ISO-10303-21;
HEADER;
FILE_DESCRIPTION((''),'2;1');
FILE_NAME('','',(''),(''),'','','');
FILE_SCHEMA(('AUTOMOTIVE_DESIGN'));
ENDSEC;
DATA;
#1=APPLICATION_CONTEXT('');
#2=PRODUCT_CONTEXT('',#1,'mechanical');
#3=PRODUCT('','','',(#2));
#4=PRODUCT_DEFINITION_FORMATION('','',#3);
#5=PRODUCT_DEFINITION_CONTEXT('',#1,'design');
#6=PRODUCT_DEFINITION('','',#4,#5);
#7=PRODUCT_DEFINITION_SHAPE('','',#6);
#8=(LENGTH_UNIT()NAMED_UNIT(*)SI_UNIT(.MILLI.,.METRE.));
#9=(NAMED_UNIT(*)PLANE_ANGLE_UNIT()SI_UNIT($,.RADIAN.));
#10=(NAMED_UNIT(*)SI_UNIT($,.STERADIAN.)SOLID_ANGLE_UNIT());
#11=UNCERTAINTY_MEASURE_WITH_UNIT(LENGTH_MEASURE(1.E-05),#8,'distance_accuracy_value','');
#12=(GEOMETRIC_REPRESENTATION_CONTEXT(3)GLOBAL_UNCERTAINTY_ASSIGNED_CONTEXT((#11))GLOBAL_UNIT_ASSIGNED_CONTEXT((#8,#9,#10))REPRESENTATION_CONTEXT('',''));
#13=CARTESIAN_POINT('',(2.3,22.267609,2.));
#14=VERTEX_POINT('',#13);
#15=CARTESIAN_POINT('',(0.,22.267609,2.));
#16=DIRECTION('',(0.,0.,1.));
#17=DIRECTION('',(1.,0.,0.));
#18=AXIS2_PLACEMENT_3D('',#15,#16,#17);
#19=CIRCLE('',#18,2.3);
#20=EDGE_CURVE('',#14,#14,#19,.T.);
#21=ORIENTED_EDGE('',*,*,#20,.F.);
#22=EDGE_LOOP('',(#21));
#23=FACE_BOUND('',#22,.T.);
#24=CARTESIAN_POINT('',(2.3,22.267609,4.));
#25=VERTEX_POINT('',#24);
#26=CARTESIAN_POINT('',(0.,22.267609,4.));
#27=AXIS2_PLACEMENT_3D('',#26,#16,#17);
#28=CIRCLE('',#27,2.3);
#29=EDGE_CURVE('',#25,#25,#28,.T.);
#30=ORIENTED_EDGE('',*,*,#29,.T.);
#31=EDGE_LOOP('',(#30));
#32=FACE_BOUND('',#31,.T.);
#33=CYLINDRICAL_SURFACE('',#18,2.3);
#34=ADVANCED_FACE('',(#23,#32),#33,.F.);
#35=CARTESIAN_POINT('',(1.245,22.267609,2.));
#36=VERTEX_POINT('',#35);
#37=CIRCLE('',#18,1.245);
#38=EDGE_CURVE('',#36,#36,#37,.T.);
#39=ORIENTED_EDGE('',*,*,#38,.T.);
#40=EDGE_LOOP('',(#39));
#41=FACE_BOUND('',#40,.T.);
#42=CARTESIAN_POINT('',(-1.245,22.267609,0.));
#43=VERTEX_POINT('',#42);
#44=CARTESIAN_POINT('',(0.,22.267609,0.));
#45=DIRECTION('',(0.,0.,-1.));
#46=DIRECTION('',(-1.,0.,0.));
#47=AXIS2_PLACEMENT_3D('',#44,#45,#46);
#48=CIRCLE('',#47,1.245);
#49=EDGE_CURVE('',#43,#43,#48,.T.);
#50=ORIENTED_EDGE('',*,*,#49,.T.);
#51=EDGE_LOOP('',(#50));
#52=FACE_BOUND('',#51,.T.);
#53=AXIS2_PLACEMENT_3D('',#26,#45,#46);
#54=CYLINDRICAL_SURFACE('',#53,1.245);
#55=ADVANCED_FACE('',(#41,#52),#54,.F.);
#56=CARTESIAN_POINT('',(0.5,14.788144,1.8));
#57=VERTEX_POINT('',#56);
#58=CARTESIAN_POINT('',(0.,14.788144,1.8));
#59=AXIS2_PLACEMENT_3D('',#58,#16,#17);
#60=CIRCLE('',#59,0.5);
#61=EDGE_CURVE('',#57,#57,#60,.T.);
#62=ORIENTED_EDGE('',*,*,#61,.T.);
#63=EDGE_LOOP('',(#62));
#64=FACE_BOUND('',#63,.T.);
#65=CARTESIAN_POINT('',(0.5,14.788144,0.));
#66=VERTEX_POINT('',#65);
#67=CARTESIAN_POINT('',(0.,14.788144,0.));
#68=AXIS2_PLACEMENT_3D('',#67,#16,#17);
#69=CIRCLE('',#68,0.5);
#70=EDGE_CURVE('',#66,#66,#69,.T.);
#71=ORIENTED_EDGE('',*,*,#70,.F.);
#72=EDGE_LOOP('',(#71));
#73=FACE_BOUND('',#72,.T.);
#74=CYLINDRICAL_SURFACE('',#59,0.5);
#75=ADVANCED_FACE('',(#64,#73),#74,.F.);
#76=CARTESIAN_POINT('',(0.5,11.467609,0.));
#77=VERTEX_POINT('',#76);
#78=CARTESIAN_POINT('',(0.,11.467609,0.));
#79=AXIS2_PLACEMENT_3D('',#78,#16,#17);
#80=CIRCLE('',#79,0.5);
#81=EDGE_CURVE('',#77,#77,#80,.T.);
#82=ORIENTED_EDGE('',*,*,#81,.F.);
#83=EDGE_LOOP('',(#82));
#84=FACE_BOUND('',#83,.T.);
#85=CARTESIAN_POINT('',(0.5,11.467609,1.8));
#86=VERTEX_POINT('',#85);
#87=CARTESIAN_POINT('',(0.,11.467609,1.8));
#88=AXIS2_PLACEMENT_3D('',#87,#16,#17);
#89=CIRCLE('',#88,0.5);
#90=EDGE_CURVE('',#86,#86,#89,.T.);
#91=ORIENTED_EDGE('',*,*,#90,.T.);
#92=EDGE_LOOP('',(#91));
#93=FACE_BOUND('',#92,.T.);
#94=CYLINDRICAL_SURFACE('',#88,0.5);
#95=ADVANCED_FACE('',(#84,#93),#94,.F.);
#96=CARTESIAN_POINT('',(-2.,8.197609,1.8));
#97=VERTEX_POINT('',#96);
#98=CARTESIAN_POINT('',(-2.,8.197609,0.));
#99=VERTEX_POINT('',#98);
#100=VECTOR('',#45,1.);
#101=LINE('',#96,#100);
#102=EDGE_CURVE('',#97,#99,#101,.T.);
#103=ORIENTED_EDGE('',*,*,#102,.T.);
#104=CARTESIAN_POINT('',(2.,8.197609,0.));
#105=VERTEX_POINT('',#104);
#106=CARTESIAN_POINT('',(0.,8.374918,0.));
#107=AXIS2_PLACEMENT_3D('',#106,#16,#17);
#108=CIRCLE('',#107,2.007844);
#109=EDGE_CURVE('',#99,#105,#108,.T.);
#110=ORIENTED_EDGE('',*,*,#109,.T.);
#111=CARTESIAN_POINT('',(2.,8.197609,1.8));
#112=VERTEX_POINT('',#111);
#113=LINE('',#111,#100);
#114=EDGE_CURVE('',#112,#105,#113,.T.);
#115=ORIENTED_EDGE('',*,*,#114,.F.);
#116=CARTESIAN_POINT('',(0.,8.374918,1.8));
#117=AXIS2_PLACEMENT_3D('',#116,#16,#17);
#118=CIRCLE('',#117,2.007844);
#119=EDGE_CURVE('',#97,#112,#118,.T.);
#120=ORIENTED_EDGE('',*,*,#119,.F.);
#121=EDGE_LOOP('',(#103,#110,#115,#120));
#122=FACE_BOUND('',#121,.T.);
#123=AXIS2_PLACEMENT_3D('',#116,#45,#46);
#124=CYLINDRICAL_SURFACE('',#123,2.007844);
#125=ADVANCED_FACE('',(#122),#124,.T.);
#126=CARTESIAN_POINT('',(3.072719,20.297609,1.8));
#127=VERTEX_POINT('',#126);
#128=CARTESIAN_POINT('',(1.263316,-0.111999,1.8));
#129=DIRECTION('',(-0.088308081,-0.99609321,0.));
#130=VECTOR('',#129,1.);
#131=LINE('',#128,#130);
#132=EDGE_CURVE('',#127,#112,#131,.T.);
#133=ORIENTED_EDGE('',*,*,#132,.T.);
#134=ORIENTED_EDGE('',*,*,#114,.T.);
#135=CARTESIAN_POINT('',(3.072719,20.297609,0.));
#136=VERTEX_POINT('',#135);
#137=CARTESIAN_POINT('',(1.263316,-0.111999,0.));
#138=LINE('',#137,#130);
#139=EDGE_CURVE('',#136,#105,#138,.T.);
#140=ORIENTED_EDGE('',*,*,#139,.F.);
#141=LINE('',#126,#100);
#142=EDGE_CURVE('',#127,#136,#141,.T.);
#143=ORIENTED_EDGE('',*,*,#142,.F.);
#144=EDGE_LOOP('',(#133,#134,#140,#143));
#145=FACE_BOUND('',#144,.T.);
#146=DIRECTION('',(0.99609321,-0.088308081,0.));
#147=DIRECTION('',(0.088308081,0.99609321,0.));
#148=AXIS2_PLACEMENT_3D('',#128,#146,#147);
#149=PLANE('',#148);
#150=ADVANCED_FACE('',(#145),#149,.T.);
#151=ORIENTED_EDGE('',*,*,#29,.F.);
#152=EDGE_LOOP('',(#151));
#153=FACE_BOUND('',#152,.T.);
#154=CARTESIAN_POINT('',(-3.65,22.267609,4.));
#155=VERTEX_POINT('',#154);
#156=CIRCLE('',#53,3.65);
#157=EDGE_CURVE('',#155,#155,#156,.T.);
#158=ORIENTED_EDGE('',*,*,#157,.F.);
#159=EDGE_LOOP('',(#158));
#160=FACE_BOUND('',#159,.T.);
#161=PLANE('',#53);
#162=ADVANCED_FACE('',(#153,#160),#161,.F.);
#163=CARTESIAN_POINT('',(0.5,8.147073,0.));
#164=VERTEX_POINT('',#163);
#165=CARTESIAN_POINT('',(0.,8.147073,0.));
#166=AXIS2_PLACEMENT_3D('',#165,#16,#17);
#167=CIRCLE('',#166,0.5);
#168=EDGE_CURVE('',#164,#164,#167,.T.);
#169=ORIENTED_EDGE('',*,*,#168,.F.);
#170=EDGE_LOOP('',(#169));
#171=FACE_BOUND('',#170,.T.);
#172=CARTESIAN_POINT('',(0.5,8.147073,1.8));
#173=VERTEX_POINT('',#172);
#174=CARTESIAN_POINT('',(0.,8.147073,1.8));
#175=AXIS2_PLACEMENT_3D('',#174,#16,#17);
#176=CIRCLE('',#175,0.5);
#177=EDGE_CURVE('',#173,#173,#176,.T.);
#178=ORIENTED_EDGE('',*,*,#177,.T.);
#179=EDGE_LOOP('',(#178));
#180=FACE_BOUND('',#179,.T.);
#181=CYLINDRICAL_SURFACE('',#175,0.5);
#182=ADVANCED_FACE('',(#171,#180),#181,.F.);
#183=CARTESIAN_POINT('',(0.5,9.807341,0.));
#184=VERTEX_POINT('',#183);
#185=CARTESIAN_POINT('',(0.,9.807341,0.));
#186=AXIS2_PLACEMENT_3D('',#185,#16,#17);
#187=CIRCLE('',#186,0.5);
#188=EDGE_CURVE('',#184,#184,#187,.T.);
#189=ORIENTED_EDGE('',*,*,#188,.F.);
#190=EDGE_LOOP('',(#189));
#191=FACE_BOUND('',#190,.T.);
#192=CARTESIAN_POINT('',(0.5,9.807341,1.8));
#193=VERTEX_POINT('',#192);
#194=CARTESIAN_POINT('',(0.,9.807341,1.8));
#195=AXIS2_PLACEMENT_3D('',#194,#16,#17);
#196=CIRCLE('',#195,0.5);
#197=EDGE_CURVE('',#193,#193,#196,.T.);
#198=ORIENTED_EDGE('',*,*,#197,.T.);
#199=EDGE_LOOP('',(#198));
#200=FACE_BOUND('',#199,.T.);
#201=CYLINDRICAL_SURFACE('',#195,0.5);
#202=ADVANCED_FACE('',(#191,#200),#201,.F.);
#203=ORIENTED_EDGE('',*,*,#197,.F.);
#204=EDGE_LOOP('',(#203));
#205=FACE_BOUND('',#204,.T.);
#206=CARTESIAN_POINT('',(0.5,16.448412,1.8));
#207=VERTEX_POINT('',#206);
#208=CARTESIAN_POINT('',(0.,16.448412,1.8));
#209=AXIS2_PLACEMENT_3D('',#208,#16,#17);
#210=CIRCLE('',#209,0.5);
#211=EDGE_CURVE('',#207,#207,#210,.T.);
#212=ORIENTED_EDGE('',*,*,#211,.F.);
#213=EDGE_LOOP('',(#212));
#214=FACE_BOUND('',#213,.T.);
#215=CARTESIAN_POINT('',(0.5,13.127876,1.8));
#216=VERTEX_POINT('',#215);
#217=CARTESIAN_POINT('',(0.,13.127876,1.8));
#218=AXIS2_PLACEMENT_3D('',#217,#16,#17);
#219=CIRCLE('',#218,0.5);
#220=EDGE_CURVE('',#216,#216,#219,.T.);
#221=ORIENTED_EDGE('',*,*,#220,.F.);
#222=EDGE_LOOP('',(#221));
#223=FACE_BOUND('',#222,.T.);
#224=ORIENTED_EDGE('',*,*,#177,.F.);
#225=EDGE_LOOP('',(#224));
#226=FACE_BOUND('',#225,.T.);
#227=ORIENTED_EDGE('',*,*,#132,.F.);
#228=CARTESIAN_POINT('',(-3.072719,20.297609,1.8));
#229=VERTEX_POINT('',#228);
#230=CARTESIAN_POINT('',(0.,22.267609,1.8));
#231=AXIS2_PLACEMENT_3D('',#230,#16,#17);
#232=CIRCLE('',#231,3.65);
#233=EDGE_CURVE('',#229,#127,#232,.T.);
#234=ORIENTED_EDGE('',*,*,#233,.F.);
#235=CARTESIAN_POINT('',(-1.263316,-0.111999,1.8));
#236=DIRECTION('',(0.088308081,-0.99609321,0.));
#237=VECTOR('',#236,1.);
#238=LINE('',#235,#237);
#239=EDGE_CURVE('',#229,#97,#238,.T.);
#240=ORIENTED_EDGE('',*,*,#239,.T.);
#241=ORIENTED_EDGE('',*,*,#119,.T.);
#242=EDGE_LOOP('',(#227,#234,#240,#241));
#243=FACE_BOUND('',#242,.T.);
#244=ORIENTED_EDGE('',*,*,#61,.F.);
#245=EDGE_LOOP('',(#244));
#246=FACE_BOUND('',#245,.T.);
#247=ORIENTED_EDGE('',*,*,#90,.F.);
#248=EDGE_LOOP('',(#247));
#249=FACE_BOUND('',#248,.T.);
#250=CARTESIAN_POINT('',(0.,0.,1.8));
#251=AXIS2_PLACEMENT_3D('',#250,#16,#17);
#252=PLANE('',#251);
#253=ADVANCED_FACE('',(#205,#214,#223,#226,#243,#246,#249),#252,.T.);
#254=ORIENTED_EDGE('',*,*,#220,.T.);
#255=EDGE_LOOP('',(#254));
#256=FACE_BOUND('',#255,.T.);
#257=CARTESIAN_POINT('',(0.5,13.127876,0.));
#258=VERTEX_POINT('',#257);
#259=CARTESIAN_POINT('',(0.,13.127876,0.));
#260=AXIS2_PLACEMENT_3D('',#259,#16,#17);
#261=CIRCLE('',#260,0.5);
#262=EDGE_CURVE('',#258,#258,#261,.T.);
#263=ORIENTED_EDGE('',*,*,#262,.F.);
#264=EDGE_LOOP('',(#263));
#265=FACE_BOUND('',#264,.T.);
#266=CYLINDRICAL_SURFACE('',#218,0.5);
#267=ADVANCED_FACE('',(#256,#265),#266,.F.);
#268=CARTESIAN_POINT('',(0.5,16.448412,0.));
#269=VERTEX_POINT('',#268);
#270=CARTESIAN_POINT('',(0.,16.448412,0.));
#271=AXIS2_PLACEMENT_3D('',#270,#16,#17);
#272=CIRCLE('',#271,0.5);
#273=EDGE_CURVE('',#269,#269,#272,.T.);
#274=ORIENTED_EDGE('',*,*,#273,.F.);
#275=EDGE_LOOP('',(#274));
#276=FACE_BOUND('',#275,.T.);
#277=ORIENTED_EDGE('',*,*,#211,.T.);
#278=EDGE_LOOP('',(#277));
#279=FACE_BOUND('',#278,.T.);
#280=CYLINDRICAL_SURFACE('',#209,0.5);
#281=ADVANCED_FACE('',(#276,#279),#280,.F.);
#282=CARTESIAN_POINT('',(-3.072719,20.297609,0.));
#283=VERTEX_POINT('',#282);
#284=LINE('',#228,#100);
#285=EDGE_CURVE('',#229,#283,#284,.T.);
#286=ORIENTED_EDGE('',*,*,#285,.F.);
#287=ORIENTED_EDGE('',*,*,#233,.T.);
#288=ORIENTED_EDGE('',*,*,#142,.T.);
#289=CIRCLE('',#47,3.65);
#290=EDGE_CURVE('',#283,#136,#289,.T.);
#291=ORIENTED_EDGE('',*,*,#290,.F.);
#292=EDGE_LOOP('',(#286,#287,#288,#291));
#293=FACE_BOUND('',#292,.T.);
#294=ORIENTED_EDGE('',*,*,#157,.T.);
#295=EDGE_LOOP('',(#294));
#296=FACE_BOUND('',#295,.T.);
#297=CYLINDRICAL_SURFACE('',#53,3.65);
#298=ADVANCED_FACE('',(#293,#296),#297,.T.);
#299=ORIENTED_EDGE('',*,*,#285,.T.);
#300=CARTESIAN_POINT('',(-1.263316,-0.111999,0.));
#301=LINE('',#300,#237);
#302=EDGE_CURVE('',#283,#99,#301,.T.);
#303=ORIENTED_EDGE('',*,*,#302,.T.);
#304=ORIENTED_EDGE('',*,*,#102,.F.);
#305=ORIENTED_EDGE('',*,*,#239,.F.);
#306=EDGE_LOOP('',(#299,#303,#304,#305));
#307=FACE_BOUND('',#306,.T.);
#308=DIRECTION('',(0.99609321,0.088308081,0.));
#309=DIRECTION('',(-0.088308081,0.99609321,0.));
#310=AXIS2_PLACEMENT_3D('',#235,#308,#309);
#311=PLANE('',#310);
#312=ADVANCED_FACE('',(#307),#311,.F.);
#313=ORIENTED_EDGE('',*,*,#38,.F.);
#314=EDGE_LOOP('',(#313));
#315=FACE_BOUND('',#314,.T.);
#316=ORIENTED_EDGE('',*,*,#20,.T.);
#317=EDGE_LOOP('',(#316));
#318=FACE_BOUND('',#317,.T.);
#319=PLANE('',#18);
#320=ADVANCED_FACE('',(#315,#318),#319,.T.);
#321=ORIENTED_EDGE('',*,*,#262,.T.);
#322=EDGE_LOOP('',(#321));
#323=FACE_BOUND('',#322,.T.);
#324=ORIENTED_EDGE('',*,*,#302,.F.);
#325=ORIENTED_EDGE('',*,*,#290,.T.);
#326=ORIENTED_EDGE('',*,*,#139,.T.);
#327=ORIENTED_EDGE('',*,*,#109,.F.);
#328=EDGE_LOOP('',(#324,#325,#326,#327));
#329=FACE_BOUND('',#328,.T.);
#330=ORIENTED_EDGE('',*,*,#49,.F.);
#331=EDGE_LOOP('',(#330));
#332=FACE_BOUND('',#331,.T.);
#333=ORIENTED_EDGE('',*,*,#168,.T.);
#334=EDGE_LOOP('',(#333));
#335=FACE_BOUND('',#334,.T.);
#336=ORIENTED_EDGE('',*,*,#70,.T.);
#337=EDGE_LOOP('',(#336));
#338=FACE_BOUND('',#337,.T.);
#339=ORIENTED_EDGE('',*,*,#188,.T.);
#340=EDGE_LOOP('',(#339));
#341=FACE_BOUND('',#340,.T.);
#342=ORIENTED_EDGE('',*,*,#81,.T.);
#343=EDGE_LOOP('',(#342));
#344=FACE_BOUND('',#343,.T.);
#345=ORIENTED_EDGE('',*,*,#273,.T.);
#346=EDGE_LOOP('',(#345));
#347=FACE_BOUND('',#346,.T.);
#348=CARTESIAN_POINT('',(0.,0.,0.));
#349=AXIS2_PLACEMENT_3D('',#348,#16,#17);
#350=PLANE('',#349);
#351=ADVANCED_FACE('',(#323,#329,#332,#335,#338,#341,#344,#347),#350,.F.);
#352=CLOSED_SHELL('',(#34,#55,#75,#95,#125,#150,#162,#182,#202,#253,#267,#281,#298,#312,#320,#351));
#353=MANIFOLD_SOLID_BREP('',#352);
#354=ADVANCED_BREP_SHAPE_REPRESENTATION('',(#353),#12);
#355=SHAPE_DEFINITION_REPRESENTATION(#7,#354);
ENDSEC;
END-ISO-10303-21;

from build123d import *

# Parameters (mm, degrees)
RESSALTO_EXTRUS_O1_DEPTH  = 1.8
ESBO_O2_R                 = 3.65
ESBO_O2_R_2               = 1.245
RESSALTO_EXTRUS_O2_DEPTH  = 4
CORTE_EXTRUS_O1_START     = -2
ESBO_O3_R                 = 2.3
ESBO_O3_R_2               = 1.245
CORTE_EXTRUS_O1_DEPTH     = 2
FURO_COM_FOLGA_DE_00001_D = 0.899999978
FURO_COM_FOLGA_DE_00002_D = 1.000000032


with BuildPart() as part:
    # Esboço1 → Ressalto-extrusão1 (new body)
    with BuildSketch(Plane.XY):
        with BuildLine():
            Line((2, 8.197608696), (3.072718666, 20.297608696))
            ThreePointArc((3.072718666, 20.297608696), (0, 18.617608696), (-3.072718666, 20.297608696))
            Line((-3.072718666, 20.297608696), (-2, 8.197608696))
            ThreePointArc((-2, 8.197608696), (0, 6.36707334), (2, 8.197608696))
        make_face()
    extrude(amount=RESSALTO_EXTRUS_O1_DEPTH)

    # Esboço2 → Ressalto-extrusão2 (add)
    with BuildSketch(Plane(origin=(0, 0, 0), x_dir=(-1, 0, 0), z_dir=(0, 0, -1))):
        with Locations((0, 22.267608696)):
            Circle(ESBO_O2_R)
        with Locations((0, 22.267608696)):
            Circle(ESBO_O2_R_2, mode=Mode.SUBTRACT)
    extrude(amount=-RESSALTO_EXTRUS_O2_DEPTH)

    # Esboço3 → Corte-extrusão1 (cut)
    with BuildSketch(Plane.XY.offset(4).offset(CORTE_EXTRUS_O1_START)):
        with Locations((0, 22.267608696)):
            Circle(ESBO_O3_R)
        with Locations(Location((0, 22.267608696, 0), (0, 0, 180))):
            Circle(ESBO_O3_R_2, mode=Mode.SUBTRACT)
    extrude(amount=CORTE_EXTRUS_O1_DEPTH, mode=Mode.SUBTRACT)

    # Furo com folga de #00001 (through all)
    with Locations(Plane.XY.offset(1.8)):
        with Locations((0, 8.14707334)):
            Hole(FURO_COM_FOLGA_DE_00001_D / 2)

    # Furo com folga de #00002 (through all)
    with Locations(Plane.XY.offset(1.8)):
        with Locations((0, 8.14707334), (0, 9.807341018), (0, 11.467608696), (0, 13.127876373), (0, 14.788144051), (0, 16.448411729)):
            Hole(FURO_COM_FOLGA_DE_00002_D / 2)


solid = part.part
